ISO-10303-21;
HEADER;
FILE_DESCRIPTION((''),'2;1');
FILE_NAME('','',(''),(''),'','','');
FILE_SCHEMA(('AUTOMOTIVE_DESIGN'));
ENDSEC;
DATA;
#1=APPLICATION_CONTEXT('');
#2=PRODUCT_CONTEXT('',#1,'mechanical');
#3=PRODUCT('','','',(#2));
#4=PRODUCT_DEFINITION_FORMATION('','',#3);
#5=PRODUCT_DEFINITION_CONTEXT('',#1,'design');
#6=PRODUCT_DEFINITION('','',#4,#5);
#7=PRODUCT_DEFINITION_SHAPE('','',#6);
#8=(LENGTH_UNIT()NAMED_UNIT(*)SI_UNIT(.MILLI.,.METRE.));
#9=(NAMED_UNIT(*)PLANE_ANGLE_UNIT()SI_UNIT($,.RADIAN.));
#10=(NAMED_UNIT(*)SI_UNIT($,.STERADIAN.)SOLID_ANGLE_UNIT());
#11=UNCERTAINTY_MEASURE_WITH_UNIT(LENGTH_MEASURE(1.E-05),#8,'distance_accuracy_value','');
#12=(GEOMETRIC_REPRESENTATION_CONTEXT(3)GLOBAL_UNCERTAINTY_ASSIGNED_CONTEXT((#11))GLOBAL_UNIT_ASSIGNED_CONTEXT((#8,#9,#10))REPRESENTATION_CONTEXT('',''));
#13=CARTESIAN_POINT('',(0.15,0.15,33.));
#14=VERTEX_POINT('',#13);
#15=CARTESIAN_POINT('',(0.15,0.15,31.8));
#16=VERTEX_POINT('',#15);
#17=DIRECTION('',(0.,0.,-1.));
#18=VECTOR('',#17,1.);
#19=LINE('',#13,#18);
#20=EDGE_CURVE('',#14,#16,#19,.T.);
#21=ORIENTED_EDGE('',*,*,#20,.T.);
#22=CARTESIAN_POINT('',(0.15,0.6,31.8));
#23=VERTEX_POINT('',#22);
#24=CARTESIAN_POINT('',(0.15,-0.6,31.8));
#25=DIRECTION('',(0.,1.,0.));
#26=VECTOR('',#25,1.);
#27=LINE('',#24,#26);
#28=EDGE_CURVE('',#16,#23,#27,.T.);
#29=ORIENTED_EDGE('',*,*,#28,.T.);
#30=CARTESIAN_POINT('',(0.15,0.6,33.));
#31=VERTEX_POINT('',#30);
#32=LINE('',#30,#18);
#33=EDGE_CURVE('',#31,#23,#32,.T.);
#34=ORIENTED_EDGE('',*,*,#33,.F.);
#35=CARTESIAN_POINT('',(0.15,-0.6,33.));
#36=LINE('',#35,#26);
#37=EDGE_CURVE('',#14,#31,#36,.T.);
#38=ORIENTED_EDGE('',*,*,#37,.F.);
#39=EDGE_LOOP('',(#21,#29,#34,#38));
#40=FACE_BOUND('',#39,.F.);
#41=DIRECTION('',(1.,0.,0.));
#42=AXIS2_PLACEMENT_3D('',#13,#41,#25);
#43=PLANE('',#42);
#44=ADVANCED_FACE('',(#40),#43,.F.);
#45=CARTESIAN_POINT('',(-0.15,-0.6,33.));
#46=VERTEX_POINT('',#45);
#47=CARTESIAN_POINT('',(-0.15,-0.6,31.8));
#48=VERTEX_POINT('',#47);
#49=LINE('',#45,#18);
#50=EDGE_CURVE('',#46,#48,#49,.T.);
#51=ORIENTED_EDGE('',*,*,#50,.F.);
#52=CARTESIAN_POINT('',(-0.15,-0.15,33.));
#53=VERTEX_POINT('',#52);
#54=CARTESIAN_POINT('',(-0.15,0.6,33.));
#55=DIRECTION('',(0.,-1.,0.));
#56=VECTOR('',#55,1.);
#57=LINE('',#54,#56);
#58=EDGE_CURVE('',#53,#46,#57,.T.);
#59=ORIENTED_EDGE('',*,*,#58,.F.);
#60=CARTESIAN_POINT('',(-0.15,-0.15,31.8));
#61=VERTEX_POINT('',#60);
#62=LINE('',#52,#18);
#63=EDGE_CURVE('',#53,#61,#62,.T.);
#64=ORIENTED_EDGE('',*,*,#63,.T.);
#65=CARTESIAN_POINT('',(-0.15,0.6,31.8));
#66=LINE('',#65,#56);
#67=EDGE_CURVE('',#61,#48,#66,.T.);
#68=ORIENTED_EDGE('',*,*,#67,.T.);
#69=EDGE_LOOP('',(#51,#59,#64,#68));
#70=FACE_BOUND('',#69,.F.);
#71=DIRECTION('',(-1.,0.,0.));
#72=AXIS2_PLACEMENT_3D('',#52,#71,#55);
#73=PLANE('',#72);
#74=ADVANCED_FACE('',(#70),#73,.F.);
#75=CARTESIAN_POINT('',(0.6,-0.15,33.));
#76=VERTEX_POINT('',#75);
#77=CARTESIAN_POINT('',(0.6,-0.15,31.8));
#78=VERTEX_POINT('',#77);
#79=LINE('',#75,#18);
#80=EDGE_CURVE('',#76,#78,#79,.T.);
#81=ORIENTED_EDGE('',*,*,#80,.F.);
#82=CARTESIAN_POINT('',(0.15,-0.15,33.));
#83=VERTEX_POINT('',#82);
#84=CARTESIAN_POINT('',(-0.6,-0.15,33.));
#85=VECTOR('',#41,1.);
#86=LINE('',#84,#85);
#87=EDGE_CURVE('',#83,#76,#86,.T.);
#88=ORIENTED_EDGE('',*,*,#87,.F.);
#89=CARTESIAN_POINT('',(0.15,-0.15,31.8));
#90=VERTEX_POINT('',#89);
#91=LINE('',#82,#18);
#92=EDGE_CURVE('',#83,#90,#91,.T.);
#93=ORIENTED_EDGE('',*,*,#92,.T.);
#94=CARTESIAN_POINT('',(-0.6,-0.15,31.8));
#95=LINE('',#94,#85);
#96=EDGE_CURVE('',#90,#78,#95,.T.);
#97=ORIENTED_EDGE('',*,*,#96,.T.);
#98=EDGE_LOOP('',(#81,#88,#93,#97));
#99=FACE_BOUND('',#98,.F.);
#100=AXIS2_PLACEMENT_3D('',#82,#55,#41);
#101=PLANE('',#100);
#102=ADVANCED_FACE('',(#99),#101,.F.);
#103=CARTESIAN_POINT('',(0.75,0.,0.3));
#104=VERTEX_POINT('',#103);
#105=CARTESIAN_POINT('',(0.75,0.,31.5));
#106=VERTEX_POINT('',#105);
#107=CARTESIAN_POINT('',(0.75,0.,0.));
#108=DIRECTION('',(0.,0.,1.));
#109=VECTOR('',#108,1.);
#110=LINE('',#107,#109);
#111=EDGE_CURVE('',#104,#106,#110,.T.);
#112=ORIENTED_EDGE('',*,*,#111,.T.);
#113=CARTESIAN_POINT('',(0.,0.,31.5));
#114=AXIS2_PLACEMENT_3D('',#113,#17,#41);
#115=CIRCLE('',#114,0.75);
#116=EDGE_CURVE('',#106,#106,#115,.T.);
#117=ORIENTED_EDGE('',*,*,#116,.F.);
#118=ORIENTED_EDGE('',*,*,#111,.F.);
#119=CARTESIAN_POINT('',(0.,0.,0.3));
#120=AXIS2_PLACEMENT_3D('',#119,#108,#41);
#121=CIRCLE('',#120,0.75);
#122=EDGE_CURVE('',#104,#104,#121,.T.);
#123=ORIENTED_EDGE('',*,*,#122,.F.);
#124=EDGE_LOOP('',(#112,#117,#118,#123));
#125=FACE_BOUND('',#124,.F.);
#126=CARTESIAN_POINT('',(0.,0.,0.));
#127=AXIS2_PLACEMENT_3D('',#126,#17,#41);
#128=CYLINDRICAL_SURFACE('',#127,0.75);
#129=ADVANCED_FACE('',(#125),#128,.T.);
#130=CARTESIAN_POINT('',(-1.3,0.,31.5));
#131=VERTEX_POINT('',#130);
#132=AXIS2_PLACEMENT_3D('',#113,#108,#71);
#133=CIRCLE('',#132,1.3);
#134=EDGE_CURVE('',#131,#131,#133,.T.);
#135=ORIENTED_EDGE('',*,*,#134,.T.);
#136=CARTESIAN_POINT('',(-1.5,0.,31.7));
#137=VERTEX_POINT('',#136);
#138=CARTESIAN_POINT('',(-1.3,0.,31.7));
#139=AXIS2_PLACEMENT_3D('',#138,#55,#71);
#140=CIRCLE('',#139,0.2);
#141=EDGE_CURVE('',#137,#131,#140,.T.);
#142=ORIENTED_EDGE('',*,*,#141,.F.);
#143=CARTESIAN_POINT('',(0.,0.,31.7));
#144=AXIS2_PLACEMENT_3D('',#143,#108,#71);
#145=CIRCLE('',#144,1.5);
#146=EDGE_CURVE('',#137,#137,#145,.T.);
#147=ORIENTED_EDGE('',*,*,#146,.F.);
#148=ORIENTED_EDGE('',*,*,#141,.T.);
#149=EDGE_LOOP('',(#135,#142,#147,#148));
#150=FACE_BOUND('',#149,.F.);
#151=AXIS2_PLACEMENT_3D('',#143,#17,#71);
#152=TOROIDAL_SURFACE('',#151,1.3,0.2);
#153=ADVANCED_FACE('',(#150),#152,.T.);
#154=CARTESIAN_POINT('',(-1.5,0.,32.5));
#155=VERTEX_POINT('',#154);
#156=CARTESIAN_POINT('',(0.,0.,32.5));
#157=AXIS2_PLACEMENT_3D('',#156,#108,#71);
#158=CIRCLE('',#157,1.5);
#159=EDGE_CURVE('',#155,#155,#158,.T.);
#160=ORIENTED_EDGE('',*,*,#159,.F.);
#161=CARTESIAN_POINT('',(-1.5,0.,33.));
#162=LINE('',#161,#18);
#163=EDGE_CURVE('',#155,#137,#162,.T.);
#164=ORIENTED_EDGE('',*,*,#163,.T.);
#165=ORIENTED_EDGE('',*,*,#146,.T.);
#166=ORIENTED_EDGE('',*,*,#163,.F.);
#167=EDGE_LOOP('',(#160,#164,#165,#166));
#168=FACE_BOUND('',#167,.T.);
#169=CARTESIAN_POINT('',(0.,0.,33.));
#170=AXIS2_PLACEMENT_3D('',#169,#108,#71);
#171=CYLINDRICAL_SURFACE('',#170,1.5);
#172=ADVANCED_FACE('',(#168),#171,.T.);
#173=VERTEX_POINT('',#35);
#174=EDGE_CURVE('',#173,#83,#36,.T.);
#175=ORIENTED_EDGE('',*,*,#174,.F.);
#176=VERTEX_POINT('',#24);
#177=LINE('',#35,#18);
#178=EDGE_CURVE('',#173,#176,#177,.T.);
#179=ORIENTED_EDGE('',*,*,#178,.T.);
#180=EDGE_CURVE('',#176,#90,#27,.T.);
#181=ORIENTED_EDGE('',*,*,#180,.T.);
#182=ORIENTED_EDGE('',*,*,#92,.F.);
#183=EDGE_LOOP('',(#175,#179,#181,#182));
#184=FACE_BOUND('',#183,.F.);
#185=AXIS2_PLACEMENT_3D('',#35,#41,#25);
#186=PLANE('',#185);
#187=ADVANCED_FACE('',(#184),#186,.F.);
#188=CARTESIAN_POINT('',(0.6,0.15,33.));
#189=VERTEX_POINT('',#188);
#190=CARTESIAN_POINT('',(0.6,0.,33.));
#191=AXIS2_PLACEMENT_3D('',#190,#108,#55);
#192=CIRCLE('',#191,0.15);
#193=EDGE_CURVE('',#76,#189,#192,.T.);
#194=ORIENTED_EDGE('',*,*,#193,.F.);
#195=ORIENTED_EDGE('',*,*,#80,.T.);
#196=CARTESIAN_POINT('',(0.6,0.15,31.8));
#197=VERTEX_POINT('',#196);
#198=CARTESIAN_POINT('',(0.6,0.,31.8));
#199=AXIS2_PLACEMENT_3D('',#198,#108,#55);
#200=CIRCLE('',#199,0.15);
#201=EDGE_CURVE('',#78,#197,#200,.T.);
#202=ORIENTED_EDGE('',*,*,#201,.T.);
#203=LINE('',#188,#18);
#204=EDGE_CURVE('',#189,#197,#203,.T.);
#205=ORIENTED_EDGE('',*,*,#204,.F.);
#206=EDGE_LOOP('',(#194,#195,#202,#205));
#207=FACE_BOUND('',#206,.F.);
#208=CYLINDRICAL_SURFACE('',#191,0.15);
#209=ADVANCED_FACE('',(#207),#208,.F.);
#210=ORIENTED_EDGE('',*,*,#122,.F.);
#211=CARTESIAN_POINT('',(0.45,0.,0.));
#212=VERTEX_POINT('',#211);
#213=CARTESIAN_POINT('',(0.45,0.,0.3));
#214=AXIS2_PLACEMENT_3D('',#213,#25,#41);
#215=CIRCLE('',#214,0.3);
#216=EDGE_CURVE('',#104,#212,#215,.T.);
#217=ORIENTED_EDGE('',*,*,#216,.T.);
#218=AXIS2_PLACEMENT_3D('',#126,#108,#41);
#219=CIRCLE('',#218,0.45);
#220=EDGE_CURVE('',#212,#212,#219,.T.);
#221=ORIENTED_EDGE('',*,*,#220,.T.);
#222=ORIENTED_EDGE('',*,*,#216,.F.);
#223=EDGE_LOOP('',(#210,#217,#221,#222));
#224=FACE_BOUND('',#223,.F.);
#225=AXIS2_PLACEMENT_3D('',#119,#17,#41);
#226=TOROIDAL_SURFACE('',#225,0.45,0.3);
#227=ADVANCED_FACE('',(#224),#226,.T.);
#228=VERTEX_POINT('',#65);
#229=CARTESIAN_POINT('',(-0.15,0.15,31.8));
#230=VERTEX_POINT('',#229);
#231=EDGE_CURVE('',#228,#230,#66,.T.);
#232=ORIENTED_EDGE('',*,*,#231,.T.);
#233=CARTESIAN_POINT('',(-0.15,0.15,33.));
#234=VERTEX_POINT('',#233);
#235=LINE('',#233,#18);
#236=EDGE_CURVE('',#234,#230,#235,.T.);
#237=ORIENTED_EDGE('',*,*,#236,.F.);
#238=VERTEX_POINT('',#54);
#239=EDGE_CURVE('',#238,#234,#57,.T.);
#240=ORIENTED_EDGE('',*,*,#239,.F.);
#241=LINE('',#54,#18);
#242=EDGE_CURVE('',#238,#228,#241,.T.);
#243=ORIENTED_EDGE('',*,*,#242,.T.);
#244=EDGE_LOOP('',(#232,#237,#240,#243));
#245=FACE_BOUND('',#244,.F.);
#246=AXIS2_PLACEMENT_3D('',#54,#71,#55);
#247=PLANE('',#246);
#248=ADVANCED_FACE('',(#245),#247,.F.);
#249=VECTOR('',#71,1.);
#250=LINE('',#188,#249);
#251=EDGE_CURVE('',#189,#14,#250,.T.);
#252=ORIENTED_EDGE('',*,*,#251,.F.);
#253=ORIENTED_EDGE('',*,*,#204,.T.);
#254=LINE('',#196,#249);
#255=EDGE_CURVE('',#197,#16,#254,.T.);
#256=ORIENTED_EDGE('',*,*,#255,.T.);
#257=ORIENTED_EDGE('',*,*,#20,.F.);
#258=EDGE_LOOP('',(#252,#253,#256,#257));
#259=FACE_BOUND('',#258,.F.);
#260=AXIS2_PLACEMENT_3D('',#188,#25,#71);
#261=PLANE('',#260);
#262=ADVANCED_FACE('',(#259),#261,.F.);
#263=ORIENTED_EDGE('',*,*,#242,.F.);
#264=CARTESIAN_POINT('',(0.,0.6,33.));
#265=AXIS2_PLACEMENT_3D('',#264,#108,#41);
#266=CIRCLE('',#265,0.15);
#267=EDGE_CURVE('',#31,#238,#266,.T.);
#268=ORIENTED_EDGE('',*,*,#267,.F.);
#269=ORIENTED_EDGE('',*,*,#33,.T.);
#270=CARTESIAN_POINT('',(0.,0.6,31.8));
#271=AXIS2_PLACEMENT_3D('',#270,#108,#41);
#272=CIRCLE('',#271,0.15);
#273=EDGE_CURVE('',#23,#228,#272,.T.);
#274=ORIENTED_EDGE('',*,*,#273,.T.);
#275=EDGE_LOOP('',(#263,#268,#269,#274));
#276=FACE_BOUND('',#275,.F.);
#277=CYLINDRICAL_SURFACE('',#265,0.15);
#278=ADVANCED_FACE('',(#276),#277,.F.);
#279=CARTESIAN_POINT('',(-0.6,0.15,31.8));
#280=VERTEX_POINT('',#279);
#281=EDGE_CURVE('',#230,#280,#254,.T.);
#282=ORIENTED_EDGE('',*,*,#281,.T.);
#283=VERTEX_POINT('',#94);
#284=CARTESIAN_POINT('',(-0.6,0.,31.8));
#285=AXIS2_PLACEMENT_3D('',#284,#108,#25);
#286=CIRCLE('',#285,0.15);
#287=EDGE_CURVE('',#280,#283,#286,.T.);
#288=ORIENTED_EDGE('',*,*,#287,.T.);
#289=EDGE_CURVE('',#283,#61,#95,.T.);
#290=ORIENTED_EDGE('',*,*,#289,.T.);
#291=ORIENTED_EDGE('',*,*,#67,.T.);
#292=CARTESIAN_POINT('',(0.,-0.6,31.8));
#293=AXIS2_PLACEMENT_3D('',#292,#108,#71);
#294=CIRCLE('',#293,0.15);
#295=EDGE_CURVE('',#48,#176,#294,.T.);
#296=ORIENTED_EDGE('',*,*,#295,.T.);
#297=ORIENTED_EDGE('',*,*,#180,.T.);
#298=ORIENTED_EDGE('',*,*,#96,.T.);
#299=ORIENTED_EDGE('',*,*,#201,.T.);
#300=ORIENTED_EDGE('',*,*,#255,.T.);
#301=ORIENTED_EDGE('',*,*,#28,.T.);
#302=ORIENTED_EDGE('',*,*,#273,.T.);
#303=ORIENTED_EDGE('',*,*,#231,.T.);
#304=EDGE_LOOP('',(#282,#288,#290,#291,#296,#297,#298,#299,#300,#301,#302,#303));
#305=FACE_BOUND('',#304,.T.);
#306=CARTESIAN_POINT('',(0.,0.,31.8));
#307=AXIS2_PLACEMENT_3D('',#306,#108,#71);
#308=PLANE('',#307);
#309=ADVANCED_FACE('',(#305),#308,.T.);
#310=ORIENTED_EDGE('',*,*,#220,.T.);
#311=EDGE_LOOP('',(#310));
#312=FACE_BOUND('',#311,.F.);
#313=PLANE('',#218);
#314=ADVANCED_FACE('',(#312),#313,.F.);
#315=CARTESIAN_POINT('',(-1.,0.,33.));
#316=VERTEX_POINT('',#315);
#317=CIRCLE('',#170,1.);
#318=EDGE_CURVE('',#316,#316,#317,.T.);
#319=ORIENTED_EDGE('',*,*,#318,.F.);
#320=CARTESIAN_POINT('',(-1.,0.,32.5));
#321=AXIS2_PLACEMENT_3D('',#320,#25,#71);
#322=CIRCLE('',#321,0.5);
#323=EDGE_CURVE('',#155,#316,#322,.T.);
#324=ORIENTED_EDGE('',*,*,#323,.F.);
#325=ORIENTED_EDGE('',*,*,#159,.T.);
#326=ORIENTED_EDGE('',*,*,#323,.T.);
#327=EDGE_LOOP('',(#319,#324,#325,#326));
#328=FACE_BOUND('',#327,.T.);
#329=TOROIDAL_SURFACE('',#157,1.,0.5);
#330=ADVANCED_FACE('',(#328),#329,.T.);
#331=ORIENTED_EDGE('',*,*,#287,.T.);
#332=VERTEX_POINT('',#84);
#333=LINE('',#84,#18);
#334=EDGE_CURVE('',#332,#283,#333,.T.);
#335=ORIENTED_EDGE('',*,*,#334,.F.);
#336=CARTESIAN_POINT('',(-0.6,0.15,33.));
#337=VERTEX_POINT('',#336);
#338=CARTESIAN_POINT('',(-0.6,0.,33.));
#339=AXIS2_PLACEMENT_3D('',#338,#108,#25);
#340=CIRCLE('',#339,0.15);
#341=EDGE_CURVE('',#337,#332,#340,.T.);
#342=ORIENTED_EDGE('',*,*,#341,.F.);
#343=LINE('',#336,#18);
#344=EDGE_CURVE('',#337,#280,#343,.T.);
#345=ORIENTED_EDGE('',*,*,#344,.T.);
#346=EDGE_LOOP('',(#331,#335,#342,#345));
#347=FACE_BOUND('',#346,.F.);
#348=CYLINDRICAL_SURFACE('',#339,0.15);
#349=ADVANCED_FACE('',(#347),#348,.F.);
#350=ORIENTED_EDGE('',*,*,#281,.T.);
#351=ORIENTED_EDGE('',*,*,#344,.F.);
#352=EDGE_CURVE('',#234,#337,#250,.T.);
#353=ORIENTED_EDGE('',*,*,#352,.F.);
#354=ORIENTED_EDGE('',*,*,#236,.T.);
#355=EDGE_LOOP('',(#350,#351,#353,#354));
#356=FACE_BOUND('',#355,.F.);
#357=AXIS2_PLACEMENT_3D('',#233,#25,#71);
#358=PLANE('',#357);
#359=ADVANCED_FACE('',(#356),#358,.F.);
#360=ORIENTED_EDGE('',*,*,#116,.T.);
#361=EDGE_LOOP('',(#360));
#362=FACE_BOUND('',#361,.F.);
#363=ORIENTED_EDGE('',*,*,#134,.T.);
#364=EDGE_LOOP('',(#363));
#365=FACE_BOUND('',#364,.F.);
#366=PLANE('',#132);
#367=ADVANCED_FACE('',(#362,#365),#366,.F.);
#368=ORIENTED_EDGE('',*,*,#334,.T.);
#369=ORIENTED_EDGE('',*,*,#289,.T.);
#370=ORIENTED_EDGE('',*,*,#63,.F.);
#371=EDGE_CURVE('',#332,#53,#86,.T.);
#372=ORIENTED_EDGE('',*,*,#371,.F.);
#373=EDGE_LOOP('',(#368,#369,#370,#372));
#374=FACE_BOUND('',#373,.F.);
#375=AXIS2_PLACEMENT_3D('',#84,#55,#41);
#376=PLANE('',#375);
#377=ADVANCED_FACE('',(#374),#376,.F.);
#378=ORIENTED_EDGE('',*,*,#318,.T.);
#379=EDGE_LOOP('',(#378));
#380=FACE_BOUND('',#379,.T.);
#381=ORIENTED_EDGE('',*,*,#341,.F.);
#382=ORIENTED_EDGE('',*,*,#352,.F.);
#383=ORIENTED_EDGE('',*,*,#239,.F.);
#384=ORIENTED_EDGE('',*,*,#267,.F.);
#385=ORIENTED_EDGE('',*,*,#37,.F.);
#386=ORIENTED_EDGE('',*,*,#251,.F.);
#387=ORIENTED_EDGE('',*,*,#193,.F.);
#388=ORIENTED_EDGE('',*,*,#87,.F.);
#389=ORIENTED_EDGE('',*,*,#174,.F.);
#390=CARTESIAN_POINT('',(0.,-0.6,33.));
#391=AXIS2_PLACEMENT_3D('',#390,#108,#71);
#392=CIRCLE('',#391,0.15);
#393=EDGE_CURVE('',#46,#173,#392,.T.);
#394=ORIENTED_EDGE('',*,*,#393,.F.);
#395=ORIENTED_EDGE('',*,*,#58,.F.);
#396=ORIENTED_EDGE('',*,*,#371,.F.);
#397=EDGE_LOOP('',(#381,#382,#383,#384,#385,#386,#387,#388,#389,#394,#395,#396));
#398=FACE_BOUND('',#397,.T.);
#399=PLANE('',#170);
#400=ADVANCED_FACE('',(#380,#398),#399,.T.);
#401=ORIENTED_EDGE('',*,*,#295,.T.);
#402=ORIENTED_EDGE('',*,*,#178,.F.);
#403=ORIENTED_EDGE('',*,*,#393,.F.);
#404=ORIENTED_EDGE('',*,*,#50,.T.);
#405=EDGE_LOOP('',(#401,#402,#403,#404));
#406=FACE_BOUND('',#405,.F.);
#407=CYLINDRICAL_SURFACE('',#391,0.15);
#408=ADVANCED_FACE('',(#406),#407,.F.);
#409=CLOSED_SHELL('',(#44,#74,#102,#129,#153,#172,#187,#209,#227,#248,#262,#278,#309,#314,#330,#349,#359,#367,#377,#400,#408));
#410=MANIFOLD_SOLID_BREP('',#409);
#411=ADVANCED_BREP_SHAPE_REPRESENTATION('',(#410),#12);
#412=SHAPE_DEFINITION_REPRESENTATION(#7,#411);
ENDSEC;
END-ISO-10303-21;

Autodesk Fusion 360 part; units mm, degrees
sketch "Sketch1" plane through (0, 0, 0) normal (0, 0, 1) x (1, 0, 0)
  circle A0 centre (0, 0) radius 0.75
  dimension "d1" = 1.5
extrude "Extrude1" add sketch "Sketch1" along normal blind 33
sketch "Sketch2" plane through (0, 0, 33) normal (0, 0, 1) x (-1, 0, 0)
  circle A0 centre (0, 0) radius 0.75
  circle A1 centre (0, 0) radius 1.5
  dimension "d4" = 3
extrude "Extrude2" add sketch "Sketch2" against normal blind 1.5
fillet "Fillet1" radius 0.5 1 edges at (1.3985, 0.5424, 33)
fillet "Fillet2" radius 0.2 1 edges at (1.3985, -0.5424, 31.5)
sketch "Sketch3" plane through (0, 0, 33) normal (0, 0, 1) x (-1, 0, 0)
  circle A0 centre (0, 0) radius 1
  line L0 (0.6, 0.15) -> (-0.6, 0.15)
  arc A1 (-0.6, 0.15) -> (-0.6, -0.15) centre (-0.6, 0) ccw
  line L1 (-0.6, -0.15) -> (0.6, -0.15)
  arc A2 (0.6, -0.15) -> (0.6, 0.15) centre (0.6, 0) ccw
  line L2 (0.6, 0) -> (-0.6, 0) construction
  line L3 (-0.15, 0.6) -> (-0.15, -0.6)
  arc A3 (-0.15, -0.6) -> (0.15, -0.6) centre (0, -0.6) ccw
  line L4 (0.15, -0.6) -> (0.15, 0.6)
  arc A4 (0.15, 0.6) -> (-0.15, 0.6) centre (0, 0.6) ccw
  line L5 (0, 0.6) -> (0, -0.6) construction
  dimension "d11" = 0.3
  dimension "d12" = 1.2
  dimension "d13" = 0.3
  dimension "d14" = 1.2
extrude "Extrude3" cut sketch "Sketch3" against normal blind 1.2 contours L0 L1 A2 L4 | L0 L1 L3 L4 | L0 L3 L4 A4 | L0 A1 L1 L3 | L1 L3 A3 L4
fillet "Fillet3" radius 0.3 1 edges at (-0.6992, -0.2712, 0)
